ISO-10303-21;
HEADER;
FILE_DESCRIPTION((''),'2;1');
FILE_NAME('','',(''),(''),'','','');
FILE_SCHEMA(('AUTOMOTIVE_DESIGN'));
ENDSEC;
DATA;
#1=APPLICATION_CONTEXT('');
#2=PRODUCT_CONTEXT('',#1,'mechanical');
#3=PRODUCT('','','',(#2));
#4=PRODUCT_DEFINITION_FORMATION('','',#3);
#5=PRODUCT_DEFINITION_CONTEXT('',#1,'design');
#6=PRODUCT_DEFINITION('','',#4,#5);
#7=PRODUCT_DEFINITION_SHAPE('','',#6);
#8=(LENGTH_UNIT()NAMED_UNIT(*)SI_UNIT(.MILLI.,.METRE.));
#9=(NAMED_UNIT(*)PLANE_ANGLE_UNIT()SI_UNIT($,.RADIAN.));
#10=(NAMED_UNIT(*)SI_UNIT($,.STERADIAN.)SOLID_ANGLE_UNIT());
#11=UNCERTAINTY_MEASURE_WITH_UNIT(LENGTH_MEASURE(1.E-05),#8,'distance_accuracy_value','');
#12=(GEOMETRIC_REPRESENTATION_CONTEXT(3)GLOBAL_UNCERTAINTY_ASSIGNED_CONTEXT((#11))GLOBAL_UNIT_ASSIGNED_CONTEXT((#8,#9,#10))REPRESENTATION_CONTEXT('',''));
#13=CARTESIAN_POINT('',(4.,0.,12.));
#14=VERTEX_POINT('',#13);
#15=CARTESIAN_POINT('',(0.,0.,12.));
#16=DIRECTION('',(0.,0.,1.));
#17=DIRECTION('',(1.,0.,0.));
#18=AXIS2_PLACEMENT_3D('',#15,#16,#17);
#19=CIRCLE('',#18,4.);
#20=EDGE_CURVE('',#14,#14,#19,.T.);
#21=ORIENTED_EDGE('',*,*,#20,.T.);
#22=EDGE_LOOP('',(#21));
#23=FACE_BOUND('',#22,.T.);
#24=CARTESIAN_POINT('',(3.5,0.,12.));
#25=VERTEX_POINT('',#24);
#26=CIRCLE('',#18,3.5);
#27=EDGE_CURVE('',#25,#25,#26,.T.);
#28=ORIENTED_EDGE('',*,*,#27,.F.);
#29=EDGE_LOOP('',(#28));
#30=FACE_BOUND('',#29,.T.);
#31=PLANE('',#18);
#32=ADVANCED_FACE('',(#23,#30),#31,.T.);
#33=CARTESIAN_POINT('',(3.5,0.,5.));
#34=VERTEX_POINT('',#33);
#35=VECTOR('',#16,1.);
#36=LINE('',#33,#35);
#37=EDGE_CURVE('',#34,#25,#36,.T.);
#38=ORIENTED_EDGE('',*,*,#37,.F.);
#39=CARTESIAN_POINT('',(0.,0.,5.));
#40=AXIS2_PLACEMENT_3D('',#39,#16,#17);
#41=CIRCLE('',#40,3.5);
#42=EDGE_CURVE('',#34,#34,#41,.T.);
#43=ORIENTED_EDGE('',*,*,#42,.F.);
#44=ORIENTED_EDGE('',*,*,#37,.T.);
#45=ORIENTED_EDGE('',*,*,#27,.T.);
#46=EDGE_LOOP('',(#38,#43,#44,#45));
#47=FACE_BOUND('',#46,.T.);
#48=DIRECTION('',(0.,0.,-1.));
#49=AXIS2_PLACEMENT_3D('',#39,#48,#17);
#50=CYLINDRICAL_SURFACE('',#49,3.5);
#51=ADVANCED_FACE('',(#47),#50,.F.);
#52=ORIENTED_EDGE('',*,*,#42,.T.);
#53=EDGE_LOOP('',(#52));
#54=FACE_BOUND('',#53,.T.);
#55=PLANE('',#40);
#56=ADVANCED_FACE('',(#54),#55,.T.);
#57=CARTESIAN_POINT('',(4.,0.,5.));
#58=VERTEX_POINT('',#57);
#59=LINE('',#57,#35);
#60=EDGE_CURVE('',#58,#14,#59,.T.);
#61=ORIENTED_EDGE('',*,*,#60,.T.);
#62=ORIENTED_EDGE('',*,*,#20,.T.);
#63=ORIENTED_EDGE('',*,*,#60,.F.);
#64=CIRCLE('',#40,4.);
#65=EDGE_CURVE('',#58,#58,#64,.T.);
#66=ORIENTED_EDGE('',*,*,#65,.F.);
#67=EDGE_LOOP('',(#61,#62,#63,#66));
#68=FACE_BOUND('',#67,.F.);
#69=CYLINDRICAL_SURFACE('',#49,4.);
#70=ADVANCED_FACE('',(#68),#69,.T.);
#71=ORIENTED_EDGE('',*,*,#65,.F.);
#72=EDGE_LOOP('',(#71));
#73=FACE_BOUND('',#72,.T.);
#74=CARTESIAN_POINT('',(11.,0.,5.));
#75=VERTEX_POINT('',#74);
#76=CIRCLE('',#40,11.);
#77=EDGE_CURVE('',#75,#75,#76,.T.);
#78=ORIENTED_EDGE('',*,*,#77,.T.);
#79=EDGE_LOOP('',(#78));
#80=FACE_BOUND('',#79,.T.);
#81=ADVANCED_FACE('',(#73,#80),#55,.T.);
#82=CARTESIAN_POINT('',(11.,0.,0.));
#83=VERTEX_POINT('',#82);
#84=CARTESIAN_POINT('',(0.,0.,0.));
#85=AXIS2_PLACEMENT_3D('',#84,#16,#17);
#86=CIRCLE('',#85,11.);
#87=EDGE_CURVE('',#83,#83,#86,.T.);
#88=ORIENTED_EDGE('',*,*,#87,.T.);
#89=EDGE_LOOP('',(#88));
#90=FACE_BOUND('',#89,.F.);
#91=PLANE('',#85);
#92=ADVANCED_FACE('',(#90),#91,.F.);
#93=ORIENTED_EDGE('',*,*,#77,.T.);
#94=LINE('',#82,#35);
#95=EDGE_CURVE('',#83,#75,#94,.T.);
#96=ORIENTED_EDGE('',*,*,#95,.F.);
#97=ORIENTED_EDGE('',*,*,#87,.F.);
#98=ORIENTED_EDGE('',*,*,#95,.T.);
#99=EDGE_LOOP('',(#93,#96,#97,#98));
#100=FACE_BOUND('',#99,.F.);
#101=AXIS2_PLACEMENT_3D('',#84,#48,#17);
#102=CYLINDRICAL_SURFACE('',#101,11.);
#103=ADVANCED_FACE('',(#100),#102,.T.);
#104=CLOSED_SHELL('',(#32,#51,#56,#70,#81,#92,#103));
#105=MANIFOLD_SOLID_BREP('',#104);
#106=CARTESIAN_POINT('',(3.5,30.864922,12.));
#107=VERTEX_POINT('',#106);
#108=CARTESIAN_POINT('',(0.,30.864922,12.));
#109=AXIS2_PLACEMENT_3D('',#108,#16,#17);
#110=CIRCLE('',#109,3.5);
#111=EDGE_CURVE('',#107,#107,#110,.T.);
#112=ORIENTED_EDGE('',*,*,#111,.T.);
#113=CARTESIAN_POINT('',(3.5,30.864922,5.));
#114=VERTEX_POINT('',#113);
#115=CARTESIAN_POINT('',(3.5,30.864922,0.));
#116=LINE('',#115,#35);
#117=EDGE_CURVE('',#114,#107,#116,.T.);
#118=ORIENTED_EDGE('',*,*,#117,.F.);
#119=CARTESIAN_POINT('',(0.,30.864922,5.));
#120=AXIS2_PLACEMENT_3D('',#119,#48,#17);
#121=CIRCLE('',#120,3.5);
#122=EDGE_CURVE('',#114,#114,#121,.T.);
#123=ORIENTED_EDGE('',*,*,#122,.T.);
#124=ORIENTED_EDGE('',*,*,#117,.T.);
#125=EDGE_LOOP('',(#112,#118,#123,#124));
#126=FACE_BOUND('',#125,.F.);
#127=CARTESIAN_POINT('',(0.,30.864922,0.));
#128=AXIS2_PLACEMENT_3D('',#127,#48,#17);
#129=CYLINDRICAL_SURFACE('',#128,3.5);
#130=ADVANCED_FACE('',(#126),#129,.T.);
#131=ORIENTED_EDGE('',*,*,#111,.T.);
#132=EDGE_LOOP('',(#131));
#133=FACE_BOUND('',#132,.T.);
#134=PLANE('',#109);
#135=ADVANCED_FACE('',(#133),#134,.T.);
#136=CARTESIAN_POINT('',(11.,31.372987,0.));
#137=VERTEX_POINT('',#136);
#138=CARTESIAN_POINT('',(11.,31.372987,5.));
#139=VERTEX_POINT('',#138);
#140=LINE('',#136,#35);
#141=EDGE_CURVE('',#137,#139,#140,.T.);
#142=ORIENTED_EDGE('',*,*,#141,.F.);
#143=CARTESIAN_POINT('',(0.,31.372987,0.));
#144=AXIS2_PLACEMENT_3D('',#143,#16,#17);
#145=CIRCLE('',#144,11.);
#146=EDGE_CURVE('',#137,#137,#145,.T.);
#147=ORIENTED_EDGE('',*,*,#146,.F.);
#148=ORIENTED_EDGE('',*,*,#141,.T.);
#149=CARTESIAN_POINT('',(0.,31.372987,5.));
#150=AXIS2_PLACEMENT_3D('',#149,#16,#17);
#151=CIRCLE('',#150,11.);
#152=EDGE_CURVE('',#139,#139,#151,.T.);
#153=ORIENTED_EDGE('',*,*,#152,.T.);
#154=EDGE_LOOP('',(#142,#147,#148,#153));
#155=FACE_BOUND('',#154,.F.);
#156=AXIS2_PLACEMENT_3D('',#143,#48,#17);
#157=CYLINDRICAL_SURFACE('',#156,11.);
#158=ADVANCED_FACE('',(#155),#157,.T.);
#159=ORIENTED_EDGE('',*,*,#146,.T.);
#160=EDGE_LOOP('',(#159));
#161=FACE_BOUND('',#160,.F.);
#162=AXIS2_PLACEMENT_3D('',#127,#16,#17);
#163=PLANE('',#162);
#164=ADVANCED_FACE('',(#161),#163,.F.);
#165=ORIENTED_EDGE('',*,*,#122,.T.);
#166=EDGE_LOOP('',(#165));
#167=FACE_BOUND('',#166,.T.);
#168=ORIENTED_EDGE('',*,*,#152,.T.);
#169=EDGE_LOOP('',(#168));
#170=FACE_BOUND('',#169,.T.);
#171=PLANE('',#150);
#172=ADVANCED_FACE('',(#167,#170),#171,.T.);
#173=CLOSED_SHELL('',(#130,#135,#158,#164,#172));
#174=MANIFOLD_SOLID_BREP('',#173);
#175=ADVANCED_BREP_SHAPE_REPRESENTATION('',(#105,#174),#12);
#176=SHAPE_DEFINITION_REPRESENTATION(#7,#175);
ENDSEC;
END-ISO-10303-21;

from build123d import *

# Parameters (mm, degrees)
F0_R     = 11
F1_DEPTH = 5
F2_R     = 4
F2_R_2   = 3.5
F3_DEPTH = 7
F4_R     = 11
F5_DEPTH = 5
F6_R     = 3.5
F7_DEPTH = 12


with BuildPart() as f1:
    # F0 (on Top) → F1 (new body)
    with BuildSketch(Plane.XY):
        Circle(F0_R)
    extrude(amount=F1_DEPTH)

    # F2 (on face) → F3 (join)
    with BuildSketch(Plane.XY.offset(5)):
        Circle(F2_R)
        Circle(F2_R_2, mode=Mode.SUBTRACT)
    extrude(amount=F3_DEPTH)


with BuildPart() as f5:
    # F4 (on Top) → F5 (new body)
    with BuildSketch(Plane.XY):
        with Locations((0, 31.372987)):
            Circle(F4_R)
    extrude(amount=F5_DEPTH)

    # F6 (on Top) → F7 (join)
    with BuildSketch(Plane.XY):
        with Locations((0, 30.864922)):
            Circle(F6_R)
    extrude(amount=F7_DEPTH)


solid = Compound([f1.part, f5.part])
